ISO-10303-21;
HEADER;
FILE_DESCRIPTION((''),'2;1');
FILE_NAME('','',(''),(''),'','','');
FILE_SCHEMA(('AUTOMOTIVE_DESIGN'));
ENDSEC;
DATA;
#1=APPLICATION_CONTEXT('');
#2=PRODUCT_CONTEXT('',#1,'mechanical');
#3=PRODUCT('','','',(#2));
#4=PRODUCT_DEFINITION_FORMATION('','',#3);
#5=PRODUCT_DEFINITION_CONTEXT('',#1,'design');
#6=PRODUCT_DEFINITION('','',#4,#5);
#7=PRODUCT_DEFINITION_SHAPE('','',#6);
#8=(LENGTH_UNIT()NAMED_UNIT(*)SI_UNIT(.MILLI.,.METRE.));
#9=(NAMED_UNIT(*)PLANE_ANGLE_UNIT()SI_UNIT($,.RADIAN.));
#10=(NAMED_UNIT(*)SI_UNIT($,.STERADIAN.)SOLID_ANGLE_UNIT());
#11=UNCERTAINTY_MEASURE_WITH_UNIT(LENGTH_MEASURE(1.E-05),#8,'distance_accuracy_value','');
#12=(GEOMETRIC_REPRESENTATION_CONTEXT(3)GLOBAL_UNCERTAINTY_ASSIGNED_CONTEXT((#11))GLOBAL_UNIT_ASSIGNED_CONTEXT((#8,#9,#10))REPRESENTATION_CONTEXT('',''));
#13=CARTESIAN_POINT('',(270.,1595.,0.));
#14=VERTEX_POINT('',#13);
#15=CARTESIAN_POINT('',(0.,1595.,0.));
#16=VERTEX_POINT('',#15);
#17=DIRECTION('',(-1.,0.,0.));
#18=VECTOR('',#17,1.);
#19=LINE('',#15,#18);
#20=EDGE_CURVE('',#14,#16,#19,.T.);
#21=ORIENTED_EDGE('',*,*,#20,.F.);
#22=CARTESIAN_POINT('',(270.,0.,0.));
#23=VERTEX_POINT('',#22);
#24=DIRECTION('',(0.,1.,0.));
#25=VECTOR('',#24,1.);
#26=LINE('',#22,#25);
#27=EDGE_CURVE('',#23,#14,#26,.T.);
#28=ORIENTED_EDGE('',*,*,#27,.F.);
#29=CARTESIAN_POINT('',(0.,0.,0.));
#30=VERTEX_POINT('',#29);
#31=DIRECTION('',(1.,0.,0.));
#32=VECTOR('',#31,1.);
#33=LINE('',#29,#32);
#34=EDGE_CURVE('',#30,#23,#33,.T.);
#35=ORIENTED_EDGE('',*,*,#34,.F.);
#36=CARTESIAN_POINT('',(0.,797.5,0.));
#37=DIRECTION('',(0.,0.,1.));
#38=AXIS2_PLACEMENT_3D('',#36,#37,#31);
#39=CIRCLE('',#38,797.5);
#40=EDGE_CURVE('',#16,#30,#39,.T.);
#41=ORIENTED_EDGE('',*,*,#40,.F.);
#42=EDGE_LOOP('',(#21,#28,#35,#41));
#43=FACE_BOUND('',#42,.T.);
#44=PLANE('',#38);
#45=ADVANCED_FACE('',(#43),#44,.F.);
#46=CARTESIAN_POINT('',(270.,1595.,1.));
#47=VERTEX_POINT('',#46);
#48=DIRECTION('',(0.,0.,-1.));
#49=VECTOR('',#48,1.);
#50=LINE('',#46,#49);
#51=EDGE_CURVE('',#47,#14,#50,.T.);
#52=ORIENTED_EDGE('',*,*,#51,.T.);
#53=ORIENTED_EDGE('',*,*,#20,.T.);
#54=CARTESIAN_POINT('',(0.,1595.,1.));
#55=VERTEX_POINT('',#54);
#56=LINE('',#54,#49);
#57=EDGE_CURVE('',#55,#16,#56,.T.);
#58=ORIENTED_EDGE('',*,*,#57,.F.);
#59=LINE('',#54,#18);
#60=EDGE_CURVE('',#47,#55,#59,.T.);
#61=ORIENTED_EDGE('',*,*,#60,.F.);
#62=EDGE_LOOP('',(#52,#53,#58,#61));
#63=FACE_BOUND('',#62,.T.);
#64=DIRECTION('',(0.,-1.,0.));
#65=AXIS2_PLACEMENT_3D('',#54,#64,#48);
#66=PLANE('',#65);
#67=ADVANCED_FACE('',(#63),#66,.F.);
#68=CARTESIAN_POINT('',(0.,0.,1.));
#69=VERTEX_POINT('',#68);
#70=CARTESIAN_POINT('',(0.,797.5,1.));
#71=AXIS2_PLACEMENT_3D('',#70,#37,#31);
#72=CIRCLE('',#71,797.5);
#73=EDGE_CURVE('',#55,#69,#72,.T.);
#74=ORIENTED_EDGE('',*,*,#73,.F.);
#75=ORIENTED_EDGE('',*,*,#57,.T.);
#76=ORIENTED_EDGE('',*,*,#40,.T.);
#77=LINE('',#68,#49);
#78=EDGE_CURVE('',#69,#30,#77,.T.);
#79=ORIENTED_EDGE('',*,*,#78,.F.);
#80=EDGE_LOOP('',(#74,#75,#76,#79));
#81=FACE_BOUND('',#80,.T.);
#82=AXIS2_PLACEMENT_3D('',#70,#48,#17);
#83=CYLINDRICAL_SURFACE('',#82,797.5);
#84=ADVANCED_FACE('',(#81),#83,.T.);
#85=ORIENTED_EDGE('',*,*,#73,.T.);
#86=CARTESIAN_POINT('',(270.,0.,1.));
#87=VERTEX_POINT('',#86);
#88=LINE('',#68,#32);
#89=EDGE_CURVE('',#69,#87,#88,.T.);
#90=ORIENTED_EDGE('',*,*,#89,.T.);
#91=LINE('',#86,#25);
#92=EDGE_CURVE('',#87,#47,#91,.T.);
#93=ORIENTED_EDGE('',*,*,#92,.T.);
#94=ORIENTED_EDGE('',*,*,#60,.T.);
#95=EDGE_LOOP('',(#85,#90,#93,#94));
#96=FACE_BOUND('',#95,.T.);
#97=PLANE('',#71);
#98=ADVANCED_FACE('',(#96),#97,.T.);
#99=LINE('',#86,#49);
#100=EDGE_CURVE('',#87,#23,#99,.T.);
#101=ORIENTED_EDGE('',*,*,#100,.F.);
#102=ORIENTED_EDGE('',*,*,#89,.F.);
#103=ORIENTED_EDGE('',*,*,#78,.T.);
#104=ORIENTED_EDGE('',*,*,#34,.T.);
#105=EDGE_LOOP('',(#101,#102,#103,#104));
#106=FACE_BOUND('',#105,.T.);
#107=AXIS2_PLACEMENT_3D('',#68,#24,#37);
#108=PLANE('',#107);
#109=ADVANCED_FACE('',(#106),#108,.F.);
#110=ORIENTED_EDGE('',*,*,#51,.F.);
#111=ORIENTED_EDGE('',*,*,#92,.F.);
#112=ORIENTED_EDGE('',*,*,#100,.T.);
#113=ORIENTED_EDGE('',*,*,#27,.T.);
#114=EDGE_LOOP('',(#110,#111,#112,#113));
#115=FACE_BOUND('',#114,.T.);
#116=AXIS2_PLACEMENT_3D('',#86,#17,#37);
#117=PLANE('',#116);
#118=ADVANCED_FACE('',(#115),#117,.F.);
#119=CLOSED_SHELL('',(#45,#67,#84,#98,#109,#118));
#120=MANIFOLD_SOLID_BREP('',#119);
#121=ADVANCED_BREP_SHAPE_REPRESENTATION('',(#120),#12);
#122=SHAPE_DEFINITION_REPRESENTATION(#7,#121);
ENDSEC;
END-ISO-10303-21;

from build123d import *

# Parameters (mm, degrees)
BOSS_EXTRUDE1_DEPTH = 1


with BuildPart() as part:
    # Sketch1 → Boss-Extrude1 (new body)
    with BuildSketch(Plane.XY):
        with BuildLine():
            Line((0, 0), (270, 0))
            Line((270, 0), (270, 1595))
            Line((270, 1595), (0, 1595))
            ThreePointArc((0, 1595), (-797.5, 797.5), (0, 0))
        make_face()
    extrude(amount=BOSS_EXTRUDE1_DEPTH)


solid = part.part
